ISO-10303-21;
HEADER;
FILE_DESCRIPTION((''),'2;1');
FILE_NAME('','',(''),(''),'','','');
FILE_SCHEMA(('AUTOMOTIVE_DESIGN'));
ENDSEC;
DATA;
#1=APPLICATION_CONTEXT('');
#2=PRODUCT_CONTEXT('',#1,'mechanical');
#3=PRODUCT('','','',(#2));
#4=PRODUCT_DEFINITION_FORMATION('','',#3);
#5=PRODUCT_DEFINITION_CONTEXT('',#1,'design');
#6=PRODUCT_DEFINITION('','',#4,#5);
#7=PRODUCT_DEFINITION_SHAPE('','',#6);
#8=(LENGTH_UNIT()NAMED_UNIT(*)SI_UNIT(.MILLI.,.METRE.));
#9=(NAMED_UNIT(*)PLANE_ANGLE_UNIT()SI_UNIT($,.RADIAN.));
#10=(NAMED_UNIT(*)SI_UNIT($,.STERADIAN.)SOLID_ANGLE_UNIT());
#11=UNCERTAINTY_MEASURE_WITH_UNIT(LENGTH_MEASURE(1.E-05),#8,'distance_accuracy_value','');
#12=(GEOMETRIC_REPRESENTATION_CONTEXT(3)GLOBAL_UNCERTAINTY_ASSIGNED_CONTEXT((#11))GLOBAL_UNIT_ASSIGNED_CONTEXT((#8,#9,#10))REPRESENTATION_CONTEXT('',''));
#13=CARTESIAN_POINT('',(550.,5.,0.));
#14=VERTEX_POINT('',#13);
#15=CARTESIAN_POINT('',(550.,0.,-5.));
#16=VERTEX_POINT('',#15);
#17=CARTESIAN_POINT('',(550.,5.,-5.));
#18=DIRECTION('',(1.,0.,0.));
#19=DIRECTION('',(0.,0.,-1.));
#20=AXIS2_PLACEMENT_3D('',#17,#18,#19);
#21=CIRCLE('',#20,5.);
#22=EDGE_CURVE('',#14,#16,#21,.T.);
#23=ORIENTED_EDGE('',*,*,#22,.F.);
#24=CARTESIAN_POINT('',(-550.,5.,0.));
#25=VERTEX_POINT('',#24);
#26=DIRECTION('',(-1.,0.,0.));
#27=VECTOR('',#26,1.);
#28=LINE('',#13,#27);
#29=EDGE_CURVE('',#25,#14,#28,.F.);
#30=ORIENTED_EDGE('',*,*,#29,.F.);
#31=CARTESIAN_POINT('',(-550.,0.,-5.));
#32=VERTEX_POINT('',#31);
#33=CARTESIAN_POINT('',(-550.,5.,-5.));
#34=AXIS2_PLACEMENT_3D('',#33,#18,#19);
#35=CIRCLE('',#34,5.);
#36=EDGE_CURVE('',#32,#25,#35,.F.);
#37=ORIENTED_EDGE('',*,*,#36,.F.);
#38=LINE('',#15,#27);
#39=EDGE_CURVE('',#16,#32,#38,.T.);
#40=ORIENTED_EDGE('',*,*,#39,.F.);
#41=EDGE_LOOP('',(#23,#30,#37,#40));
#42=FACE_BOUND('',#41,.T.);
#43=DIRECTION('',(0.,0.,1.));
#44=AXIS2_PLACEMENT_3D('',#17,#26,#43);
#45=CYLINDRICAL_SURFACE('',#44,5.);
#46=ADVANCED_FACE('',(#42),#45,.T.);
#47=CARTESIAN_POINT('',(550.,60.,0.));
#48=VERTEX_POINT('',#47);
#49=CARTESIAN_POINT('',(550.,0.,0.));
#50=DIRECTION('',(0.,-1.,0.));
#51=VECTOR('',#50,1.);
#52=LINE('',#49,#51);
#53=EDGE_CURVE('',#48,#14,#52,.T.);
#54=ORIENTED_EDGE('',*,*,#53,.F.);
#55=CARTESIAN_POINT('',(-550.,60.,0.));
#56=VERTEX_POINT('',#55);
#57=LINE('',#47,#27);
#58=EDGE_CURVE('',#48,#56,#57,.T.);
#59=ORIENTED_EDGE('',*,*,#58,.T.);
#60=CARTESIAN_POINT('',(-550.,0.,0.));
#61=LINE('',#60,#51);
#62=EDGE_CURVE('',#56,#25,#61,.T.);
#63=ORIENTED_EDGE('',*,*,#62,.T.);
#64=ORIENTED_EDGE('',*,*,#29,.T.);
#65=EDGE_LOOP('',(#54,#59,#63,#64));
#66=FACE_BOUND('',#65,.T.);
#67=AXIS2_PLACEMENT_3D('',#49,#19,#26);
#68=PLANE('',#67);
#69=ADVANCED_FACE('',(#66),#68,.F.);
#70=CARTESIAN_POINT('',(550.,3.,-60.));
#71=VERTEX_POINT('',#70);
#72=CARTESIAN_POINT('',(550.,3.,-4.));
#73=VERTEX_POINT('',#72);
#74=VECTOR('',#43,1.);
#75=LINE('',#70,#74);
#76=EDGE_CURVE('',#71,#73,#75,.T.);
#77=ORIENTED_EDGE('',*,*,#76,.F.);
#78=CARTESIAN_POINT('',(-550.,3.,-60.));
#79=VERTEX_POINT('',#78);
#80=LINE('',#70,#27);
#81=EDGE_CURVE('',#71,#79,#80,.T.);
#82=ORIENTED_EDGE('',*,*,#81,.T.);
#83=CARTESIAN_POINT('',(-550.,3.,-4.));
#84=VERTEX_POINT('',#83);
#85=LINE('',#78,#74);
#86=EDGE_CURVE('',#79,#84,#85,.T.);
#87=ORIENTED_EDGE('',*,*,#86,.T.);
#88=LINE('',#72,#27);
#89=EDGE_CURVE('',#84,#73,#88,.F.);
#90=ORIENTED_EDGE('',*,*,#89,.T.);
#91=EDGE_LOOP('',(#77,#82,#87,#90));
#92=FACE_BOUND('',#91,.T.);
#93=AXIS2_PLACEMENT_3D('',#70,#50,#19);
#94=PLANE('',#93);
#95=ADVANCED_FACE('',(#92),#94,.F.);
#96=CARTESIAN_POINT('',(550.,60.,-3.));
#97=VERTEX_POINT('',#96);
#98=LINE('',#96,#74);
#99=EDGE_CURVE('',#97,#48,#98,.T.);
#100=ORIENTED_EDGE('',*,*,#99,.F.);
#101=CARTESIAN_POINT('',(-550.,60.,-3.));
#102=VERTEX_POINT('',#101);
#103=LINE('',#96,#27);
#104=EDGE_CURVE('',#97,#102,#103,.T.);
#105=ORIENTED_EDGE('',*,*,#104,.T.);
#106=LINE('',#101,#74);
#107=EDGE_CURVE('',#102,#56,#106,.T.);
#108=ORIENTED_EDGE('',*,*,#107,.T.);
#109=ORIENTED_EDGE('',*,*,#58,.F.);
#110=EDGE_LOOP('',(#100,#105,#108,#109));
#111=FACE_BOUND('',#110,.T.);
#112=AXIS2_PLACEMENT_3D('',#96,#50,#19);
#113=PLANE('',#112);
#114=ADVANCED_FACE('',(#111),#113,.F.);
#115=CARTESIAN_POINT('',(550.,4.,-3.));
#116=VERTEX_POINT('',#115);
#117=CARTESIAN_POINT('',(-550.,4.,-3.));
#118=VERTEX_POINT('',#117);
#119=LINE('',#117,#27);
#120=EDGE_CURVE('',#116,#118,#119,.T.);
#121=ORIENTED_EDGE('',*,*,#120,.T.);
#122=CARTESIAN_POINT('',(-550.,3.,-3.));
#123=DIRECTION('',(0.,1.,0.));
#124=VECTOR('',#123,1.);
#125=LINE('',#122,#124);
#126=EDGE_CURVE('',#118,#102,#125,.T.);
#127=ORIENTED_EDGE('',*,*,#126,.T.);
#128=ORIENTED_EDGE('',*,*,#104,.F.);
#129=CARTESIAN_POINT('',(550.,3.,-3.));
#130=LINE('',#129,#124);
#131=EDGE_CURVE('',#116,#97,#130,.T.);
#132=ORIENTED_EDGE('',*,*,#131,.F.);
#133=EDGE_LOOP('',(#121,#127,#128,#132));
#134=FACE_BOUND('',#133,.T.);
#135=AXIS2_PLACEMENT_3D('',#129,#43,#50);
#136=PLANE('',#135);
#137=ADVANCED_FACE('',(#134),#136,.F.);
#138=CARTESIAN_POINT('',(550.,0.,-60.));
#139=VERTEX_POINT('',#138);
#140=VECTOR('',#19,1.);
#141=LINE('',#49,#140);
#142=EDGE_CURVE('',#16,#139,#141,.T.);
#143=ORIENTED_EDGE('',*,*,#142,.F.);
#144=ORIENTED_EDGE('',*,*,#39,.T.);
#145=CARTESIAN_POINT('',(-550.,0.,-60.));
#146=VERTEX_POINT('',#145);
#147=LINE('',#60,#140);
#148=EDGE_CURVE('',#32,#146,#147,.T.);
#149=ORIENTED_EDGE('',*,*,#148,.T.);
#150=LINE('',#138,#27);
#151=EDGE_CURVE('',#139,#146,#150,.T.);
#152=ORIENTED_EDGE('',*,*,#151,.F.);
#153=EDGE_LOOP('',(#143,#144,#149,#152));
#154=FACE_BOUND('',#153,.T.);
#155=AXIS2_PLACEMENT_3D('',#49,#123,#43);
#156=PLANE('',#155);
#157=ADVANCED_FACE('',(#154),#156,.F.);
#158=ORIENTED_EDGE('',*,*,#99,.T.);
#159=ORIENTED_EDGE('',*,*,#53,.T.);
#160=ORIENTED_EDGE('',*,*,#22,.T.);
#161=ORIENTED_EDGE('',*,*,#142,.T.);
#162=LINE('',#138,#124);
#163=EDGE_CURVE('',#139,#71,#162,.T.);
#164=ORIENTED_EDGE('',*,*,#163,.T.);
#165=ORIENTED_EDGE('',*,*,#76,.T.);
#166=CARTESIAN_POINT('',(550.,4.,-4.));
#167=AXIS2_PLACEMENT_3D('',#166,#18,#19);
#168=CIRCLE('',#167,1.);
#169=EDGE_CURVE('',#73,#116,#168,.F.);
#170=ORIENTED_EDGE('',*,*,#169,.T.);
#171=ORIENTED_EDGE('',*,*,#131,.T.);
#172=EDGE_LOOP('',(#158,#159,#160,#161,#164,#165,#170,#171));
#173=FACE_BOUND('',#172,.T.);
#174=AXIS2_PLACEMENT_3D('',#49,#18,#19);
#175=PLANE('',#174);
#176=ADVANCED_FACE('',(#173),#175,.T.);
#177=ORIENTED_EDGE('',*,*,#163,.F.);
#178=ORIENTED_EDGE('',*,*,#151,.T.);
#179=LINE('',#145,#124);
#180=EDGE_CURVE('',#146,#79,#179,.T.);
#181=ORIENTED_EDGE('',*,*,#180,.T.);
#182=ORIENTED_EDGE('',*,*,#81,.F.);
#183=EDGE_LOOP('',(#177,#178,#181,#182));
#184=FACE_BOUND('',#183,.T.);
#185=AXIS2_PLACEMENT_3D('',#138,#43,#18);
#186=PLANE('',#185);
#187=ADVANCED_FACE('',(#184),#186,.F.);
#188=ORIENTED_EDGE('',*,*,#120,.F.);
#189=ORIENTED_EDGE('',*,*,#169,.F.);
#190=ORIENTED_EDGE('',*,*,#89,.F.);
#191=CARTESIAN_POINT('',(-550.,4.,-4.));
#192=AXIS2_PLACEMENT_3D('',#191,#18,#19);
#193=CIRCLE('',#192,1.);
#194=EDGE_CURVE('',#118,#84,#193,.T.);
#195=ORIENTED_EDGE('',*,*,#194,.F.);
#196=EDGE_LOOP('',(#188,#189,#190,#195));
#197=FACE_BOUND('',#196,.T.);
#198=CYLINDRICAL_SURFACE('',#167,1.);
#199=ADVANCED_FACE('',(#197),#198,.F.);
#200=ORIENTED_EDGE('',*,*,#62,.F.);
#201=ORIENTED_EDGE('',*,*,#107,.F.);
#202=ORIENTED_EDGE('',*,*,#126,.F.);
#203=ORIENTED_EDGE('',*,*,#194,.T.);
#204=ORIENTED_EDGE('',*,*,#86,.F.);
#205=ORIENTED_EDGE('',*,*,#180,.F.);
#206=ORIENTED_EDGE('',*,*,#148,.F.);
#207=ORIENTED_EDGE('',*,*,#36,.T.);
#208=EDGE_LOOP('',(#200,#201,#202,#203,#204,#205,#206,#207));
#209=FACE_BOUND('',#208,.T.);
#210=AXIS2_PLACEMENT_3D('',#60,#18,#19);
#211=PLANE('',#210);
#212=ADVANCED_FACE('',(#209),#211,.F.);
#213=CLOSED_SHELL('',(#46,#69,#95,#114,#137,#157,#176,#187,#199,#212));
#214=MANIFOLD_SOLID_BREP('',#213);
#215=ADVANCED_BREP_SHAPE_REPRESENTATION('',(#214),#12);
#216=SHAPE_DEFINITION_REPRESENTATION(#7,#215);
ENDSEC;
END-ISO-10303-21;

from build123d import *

# Parameters (mm, degrees)
BOSS_EXTRUDE1_DEPTH = 550
FILLET1_R           = 5
FILLET2_R           = 1


with BuildPart() as part:
    # Sketch1 → Boss-Extrude1 (new, symmetric)
    with BuildSketch(Plane(origin=(0, 0, 0), x_dir=(0, 0, -1), z_dir=(1, 0, 0))):
        Polygon((0, 0), (0, 60), (3, 60), (3, 3), (60, 3), (60, 0), align=None)
    extrude(amount=BOSS_EXTRUDE1_DEPTH, both=True)

    # Fillet1
    fillet1_edges = [part.edges().sort_by_distance(p)[0] for p in [
        (0, 0, 0),
    ]]
    fillet(fillet1_edges, radius=FILLET1_R)

    # Fillet2
    fillet2_edges = [part.edges().sort_by_distance(p)[0] for p in [
        (0, 3, -3),
    ]]
    fillet(fillet2_edges, radius=FILLET2_R)


solid = part.part
